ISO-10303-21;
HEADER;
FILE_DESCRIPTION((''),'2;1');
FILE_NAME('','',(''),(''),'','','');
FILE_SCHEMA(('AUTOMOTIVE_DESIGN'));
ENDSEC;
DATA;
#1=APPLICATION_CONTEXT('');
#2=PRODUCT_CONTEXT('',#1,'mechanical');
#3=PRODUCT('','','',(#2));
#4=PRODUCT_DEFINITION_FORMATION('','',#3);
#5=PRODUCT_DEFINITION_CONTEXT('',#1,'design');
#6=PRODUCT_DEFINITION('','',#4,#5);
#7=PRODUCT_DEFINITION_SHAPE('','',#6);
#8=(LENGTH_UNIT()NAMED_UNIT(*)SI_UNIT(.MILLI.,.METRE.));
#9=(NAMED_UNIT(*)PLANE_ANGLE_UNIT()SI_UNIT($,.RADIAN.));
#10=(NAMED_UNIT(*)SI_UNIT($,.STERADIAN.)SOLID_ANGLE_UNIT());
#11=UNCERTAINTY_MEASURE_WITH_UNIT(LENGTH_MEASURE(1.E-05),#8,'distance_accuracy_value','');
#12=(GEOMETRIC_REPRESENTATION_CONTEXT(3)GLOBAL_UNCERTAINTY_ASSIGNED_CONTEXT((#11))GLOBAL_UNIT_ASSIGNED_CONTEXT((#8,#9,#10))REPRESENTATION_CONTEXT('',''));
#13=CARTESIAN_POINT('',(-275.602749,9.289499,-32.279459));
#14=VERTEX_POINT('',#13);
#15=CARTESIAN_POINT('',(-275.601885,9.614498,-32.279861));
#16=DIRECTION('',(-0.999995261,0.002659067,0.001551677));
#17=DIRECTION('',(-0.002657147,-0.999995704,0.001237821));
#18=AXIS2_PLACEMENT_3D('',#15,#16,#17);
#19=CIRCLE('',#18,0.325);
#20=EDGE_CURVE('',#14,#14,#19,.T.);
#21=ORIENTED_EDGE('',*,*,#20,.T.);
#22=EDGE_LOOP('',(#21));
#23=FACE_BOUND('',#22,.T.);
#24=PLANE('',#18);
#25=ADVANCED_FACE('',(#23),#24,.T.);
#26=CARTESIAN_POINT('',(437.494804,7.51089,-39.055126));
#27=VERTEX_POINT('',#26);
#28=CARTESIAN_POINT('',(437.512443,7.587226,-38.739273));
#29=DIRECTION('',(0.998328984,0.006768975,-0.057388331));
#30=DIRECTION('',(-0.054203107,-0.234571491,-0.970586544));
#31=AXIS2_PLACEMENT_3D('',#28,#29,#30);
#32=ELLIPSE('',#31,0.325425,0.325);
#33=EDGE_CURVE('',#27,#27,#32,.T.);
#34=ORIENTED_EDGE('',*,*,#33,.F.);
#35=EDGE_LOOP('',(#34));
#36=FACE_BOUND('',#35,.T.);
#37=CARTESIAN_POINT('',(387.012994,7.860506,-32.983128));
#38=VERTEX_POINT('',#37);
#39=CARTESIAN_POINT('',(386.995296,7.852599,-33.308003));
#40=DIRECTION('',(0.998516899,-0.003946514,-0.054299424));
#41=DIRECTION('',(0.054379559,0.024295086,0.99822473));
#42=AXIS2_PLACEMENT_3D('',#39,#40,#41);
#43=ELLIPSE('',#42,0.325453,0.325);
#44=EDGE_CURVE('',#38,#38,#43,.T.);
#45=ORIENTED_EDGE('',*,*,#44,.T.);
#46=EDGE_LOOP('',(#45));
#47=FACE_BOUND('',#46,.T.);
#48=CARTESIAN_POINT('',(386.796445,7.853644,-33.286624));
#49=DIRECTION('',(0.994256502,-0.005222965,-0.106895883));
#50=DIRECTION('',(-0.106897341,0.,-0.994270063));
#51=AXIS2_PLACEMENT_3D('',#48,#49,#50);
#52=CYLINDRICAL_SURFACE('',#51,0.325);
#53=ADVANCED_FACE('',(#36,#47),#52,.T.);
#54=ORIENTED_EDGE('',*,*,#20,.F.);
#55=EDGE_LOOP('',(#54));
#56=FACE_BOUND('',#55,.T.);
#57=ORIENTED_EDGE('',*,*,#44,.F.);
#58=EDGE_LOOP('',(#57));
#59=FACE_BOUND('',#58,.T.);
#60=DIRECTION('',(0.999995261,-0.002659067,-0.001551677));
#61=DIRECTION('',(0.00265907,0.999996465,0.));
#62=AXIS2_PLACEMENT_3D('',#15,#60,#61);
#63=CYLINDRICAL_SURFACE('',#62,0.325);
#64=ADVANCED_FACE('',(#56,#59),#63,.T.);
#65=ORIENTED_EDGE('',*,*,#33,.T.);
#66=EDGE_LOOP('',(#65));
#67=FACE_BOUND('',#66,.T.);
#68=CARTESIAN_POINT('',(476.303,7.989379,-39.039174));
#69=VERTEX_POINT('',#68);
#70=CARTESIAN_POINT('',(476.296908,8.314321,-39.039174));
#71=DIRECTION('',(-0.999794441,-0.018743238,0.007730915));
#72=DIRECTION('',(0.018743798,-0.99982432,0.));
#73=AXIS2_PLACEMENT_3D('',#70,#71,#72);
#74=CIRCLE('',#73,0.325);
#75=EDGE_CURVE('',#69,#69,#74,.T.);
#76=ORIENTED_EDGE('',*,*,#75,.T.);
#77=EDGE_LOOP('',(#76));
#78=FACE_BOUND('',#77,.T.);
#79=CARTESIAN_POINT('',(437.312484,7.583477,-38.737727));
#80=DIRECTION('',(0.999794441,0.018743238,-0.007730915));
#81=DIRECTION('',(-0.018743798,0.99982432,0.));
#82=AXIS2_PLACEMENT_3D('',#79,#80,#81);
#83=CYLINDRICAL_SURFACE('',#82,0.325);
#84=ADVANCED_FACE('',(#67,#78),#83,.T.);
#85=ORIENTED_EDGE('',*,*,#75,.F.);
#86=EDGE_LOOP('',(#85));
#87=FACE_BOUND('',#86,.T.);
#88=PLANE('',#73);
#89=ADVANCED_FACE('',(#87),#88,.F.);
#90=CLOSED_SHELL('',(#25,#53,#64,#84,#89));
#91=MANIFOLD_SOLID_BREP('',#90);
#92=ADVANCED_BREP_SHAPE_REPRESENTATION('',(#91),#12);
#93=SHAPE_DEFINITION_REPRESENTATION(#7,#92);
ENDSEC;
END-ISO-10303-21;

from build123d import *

# Parameters (mm, degrees)
SWEEP1_PROFILE_R = 0.325


with BuildPart() as part:
    # Sweep1: sweep along a curve in space
    with BuildLine() as sweep1_path:
        Line((-275.601885049, 9.61449752, -32.279861456), (386.995296262, 7.852598976, -33.30800324))
        Line((437.512442978, 7.587225517, -38.73927274), (386.995296262, 7.852598976, -33.30800324))
        Line((437.512442978, 7.587225517, -38.73927274), (476.296907949, 8.314321447, -39.039173796))
    # Sweep1 profile (on start of the path) → Sweep1 (sweep)
    with BuildSketch(Plane(origin=(-275.601885049, 9.61449752, -32.279861456), x_dir=(0.00265907004239425, 0.9999964646670055, 0), z_dir=(0.9999952608195356, -0.00265906684126819, -0.0015516771580601555))):
        Circle(SWEEP1_PROFILE_R)
    sweep(path=sweep1_path.line, transition=Transition.RIGHT)


solid = part.part
